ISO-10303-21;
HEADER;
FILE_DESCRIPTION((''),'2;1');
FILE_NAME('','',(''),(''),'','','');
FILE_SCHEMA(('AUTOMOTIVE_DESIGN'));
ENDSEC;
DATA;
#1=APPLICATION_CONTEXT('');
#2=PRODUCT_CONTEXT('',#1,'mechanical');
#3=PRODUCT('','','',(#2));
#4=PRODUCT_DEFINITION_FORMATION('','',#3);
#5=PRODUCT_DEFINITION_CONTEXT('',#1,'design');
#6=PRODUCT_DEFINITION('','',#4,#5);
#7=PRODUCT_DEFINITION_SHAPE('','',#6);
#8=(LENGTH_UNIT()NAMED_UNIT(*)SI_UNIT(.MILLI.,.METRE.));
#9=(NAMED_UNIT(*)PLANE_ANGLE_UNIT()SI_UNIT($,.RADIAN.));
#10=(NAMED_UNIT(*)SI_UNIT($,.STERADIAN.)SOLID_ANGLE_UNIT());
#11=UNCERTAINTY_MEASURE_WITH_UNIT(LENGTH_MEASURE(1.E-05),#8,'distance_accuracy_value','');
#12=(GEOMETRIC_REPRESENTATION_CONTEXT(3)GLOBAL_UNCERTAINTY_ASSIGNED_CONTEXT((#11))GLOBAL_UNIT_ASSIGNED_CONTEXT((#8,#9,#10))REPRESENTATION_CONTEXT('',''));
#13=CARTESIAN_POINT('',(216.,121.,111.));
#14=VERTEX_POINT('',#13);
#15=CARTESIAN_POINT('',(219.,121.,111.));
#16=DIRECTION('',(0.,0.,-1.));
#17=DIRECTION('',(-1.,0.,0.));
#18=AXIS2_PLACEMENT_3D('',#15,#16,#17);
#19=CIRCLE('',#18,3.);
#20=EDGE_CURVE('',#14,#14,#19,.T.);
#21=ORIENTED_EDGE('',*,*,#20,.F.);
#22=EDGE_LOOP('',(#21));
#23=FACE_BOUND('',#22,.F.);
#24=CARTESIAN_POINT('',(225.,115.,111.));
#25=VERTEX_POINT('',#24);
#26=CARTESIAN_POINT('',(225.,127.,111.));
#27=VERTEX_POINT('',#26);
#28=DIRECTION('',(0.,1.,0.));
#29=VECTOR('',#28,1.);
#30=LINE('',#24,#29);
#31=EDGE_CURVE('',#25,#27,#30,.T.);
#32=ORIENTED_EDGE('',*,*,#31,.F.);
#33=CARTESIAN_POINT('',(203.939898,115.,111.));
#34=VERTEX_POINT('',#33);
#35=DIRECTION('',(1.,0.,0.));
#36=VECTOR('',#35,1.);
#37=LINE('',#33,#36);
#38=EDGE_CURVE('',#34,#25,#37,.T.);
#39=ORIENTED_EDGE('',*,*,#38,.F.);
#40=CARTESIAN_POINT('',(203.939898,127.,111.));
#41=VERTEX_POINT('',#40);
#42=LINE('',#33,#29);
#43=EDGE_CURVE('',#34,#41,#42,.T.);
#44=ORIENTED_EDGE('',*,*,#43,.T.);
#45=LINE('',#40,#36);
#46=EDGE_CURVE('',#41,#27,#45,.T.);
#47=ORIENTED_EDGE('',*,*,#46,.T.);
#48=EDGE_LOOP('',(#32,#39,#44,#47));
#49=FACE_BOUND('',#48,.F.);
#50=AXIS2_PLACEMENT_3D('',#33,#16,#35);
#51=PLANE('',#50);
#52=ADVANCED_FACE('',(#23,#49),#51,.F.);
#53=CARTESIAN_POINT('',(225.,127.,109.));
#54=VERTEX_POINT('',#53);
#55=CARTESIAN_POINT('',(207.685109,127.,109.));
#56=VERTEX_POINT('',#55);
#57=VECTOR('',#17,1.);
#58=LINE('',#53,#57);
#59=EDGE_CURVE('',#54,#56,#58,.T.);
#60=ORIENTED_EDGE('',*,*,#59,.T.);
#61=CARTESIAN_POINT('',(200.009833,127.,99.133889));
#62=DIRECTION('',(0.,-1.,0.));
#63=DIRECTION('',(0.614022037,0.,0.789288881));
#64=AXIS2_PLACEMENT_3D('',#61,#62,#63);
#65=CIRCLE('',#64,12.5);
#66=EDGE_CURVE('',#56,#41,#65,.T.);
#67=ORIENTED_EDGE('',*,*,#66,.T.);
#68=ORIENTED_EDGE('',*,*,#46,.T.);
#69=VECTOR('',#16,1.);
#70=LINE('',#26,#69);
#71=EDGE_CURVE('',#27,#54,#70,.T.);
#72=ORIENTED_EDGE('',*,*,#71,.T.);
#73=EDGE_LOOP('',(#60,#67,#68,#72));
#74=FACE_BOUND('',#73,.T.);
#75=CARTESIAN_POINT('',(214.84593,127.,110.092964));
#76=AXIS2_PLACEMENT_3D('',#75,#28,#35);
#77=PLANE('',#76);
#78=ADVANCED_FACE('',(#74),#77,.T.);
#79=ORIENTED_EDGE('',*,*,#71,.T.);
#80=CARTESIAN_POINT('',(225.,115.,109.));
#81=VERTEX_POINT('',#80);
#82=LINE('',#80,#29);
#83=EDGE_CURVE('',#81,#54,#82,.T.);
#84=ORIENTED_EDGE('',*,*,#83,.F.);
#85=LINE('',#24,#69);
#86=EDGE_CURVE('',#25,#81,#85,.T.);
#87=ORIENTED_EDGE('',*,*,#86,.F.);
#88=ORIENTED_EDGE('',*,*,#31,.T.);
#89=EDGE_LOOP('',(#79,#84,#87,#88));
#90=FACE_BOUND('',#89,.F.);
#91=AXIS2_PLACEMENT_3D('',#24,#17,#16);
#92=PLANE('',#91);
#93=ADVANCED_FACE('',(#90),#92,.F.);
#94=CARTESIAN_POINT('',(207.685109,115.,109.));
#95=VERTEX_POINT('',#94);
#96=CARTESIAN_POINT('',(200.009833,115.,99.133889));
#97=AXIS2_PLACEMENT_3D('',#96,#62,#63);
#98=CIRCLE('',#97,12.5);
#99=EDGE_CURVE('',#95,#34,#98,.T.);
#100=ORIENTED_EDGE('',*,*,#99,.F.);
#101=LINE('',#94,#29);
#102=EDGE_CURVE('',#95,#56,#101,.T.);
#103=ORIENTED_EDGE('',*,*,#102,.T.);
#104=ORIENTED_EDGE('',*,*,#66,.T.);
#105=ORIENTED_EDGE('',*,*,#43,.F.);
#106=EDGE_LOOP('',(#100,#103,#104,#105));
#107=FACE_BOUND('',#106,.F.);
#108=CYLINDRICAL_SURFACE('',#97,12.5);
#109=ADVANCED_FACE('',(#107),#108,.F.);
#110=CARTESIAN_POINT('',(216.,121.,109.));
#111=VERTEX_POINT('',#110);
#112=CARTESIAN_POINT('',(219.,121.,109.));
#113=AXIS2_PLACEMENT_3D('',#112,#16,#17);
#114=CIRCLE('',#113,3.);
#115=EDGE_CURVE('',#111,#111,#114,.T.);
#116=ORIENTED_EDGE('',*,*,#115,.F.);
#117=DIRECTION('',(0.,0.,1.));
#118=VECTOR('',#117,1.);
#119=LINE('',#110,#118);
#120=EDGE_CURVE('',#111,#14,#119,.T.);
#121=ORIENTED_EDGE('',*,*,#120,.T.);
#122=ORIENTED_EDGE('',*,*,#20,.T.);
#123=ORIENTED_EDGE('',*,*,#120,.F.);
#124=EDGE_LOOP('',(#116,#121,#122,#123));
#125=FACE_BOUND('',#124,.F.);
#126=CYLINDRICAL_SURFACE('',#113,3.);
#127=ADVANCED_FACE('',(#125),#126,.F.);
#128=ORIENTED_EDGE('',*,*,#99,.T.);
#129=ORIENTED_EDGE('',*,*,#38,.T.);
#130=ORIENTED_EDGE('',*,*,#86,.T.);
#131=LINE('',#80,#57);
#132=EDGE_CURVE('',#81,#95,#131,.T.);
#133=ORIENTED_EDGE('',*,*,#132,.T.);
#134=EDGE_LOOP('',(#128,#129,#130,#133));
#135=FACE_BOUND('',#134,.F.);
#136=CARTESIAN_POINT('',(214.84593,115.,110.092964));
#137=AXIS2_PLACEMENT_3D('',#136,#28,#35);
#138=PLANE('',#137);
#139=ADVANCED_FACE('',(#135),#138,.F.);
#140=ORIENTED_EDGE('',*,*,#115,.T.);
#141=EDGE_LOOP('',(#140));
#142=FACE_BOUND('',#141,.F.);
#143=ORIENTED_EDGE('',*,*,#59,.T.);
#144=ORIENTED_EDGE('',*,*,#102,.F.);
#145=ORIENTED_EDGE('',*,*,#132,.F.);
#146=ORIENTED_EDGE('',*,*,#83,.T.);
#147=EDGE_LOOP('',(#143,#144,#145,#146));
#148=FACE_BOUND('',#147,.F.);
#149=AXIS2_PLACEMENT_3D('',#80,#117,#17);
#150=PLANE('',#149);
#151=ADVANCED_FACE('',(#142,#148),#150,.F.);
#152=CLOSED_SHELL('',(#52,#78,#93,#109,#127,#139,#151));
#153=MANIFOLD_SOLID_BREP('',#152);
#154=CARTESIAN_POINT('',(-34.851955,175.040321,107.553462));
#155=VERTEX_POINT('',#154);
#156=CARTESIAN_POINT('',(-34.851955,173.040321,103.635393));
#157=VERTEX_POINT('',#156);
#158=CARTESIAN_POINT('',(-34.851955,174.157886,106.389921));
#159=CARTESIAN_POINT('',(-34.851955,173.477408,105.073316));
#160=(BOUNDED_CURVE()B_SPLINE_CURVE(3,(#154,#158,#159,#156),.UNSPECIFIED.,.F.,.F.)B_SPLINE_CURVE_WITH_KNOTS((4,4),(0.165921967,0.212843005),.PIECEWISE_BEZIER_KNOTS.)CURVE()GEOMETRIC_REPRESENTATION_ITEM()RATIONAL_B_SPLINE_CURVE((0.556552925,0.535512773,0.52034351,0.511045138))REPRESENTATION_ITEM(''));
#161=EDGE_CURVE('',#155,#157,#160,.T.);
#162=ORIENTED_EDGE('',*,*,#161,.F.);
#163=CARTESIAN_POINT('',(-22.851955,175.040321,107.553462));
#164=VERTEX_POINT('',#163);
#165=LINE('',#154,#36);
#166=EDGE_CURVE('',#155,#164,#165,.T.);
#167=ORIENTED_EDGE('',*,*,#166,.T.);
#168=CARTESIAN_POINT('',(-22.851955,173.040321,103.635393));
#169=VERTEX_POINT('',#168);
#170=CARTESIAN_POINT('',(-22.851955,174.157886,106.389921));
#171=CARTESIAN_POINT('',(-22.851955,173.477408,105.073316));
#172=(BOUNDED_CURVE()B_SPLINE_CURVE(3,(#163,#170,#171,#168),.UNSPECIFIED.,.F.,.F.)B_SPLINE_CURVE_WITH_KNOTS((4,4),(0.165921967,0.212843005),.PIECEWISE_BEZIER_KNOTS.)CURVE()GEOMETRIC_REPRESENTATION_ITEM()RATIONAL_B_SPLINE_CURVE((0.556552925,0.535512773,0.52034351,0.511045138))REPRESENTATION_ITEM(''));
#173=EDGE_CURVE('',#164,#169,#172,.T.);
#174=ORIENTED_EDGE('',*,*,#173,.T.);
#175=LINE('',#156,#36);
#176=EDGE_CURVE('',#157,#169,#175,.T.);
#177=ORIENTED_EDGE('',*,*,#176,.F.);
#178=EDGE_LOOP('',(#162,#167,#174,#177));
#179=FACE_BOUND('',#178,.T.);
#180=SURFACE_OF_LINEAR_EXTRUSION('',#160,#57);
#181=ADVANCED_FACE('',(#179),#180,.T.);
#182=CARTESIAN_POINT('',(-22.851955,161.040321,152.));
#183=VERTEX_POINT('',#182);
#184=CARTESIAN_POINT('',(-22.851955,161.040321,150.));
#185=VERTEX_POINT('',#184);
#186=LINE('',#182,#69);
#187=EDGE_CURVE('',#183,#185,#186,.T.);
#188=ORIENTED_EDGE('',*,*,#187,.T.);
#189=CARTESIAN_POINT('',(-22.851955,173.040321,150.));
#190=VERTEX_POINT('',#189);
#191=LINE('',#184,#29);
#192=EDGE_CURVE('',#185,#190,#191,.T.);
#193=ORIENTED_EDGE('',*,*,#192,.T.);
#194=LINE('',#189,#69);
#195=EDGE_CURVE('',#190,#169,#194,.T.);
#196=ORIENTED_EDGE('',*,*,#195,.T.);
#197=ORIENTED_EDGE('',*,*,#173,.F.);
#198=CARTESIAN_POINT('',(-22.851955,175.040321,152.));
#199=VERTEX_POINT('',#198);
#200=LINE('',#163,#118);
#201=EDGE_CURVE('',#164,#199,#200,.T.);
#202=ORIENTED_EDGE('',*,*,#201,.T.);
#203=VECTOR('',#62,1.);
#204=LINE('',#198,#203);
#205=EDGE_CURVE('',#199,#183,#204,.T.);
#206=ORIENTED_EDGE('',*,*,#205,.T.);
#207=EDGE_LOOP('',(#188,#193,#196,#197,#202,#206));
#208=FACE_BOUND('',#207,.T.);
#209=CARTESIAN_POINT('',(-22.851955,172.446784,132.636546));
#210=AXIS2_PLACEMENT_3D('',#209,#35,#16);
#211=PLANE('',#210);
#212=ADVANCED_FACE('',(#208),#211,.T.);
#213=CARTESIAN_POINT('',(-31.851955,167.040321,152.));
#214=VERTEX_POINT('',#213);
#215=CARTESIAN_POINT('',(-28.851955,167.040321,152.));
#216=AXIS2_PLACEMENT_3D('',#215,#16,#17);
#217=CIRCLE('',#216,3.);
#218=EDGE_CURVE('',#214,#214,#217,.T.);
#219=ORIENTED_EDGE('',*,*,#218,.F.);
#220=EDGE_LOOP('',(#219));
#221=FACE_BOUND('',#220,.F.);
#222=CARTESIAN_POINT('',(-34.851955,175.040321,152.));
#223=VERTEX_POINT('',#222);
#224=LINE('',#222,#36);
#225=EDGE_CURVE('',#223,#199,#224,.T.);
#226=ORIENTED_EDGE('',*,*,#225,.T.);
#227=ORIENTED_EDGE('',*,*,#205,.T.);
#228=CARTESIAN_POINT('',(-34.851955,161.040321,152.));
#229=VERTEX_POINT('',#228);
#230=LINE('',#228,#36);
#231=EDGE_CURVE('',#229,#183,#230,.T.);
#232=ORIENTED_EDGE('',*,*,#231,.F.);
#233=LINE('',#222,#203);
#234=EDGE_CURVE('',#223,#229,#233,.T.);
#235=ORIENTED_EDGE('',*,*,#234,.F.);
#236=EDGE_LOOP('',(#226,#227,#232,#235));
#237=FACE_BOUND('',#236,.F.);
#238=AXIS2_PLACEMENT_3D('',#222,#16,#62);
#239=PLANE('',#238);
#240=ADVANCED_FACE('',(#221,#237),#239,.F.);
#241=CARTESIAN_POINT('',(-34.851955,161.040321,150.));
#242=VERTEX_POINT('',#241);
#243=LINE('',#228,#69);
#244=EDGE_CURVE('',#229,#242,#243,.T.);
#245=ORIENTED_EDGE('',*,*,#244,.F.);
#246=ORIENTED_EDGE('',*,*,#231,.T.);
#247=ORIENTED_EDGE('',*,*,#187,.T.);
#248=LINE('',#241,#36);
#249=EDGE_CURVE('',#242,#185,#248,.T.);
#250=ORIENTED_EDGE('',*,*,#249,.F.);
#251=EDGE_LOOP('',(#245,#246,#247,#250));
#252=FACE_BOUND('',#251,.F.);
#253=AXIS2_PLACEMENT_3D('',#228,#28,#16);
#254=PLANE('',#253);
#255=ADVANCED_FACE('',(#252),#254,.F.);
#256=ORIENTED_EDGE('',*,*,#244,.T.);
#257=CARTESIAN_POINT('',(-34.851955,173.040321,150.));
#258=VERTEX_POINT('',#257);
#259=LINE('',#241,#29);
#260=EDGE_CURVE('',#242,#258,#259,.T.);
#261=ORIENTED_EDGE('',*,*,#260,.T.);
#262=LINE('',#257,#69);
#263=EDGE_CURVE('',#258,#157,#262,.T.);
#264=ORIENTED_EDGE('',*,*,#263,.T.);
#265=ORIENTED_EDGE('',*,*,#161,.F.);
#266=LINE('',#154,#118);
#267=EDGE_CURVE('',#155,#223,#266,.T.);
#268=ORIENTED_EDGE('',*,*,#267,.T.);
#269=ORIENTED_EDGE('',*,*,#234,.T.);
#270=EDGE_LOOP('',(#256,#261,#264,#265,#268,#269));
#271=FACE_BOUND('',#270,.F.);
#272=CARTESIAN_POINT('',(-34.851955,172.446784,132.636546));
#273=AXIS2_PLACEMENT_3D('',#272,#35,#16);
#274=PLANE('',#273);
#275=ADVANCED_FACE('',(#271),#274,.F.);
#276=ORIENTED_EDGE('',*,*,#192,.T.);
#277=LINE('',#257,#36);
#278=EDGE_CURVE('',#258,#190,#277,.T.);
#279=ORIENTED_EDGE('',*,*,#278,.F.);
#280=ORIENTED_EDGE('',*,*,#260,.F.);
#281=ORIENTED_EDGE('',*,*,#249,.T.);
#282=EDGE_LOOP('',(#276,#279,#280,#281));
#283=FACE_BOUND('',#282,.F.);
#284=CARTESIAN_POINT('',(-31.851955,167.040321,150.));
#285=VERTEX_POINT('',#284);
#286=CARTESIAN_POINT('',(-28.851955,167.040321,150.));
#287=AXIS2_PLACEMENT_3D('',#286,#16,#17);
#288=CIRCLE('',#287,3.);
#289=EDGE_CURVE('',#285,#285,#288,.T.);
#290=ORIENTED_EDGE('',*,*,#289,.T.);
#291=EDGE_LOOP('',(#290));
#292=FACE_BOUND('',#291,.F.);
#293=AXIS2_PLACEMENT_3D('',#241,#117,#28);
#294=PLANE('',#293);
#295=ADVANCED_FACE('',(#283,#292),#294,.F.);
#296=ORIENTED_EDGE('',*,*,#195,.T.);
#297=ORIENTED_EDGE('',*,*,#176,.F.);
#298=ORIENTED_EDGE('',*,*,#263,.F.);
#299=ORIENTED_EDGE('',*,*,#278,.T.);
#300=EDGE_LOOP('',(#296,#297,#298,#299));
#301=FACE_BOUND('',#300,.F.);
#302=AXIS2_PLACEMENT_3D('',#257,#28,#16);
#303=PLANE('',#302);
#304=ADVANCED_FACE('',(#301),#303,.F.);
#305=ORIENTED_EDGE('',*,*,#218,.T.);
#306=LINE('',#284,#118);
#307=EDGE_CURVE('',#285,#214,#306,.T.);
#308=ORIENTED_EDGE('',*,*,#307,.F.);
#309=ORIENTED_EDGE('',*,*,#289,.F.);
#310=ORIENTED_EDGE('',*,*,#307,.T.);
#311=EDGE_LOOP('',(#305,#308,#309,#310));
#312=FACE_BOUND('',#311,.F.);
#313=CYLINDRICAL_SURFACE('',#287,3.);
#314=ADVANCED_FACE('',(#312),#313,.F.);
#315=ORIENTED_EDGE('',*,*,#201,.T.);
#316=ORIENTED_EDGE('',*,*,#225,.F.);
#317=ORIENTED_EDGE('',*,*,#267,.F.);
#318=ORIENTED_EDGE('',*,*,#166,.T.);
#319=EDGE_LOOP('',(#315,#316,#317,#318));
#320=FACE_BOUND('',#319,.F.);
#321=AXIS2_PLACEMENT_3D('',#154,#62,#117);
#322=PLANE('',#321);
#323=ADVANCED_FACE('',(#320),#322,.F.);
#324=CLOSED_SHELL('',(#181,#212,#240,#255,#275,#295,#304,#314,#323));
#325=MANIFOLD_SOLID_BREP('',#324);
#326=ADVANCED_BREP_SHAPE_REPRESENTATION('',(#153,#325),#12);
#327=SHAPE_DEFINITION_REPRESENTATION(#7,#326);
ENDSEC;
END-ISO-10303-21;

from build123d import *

# Parameters (mm, degrees)
DODANIE_WYCI_GNI_CIE2_DEPTH = 12
SZKIC3_R                    = 3
WYTNIJ_WYCI_GNI_CIE1_DEPTH  = 15
DODANIE_WYCI_GNI_CIE3_DEPTH = 12
SZKIC5_R                    = 3
WYTNIJ_WYCI_GNI_CIE2_DEPTH  = 12


with BuildPart() as part:
    # Szkic2 → Dodanie-wyciągnięcie2 (new body)
    with BuildSketch(Plane(origin=(0, 115, 0), x_dir=(-1, 0, 0), z_dir=(0, -1, 0))):
        with BuildLine():
            Line((-203.939898073, -111), (-225, -111))
            Line((-225, -111), (-225, -109))
            Line((-225, -109), (-207.685108725, -109))
            ThreePointArc((-207.685108725, -109), (-205.89804018, -110.160176633), (-203.939898073, -111))
        make_face()
    extrude(amount=-DODANIE_WYCI_GNI_CIE2_DEPTH)

    # Szkic3 → Wytnij-wyciągnięcie1 (cut)
    with BuildSketch(Plane(origin=(0, 0, 109), x_dir=(-1, 0, 0), z_dir=(0, 0, -1))):
        with Locations((-219, 121)):
            Circle(SZKIC3_R)
    extrude(amount=-WYTNIJ_WYCI_GNI_CIE1_DEPTH, mode=Mode.SUBTRACT)


with BuildPart() as body_2:
    # Szkic4 → Dodanie-wyciągnięcie3 (new body)
    with BuildSketch(Plane.ZY.offset(34.851954913)):
        with BuildLine():
            Line((107.553462494, 175.040321072), (152, 175.040321072))
            Line((152, 175.040321072), (152, 161.040321072))
            Line((152, 161.040321072), (150, 161.040321072))
            Line((150, 161.040321072), (150, 173.040321072))
            Line((150, 173.040321072), (103.63539268, 173.040321072))
            add(Edge.make_bspline(
                [(107.553462494, 175.040321072), (106.389921068, 174.157886349), (105.07331599, 173.477407712), (103.63539268, 173.040321072)],
                knots=[0.165921967, 0.165921967, 0.165921967, 0.165921967, 0.212843005, 0.212843005, 0.212843005, 0.212843005], degree=3, weights=[0.556552925, 0.535512773, 0.52034351, 0.511045138]))
        make_face()
    extrude(amount=-DODANIE_WYCI_GNI_CIE3_DEPTH)

    # Szkic5 → Wytnij-wyciągnięcie2 (cut)
    with BuildSketch(Plane(origin=(0, 0, 150), x_dir=(-1, 0, 0), z_dir=(0, 0, -1))):
        with Locations((28.851954913, 167.040321072)):
            Circle(SZKIC5_R)
    extrude(amount=-WYTNIJ_WYCI_GNI_CIE2_DEPTH, mode=Mode.SUBTRACT)


solid = Compound([part.part, body_2.part])
